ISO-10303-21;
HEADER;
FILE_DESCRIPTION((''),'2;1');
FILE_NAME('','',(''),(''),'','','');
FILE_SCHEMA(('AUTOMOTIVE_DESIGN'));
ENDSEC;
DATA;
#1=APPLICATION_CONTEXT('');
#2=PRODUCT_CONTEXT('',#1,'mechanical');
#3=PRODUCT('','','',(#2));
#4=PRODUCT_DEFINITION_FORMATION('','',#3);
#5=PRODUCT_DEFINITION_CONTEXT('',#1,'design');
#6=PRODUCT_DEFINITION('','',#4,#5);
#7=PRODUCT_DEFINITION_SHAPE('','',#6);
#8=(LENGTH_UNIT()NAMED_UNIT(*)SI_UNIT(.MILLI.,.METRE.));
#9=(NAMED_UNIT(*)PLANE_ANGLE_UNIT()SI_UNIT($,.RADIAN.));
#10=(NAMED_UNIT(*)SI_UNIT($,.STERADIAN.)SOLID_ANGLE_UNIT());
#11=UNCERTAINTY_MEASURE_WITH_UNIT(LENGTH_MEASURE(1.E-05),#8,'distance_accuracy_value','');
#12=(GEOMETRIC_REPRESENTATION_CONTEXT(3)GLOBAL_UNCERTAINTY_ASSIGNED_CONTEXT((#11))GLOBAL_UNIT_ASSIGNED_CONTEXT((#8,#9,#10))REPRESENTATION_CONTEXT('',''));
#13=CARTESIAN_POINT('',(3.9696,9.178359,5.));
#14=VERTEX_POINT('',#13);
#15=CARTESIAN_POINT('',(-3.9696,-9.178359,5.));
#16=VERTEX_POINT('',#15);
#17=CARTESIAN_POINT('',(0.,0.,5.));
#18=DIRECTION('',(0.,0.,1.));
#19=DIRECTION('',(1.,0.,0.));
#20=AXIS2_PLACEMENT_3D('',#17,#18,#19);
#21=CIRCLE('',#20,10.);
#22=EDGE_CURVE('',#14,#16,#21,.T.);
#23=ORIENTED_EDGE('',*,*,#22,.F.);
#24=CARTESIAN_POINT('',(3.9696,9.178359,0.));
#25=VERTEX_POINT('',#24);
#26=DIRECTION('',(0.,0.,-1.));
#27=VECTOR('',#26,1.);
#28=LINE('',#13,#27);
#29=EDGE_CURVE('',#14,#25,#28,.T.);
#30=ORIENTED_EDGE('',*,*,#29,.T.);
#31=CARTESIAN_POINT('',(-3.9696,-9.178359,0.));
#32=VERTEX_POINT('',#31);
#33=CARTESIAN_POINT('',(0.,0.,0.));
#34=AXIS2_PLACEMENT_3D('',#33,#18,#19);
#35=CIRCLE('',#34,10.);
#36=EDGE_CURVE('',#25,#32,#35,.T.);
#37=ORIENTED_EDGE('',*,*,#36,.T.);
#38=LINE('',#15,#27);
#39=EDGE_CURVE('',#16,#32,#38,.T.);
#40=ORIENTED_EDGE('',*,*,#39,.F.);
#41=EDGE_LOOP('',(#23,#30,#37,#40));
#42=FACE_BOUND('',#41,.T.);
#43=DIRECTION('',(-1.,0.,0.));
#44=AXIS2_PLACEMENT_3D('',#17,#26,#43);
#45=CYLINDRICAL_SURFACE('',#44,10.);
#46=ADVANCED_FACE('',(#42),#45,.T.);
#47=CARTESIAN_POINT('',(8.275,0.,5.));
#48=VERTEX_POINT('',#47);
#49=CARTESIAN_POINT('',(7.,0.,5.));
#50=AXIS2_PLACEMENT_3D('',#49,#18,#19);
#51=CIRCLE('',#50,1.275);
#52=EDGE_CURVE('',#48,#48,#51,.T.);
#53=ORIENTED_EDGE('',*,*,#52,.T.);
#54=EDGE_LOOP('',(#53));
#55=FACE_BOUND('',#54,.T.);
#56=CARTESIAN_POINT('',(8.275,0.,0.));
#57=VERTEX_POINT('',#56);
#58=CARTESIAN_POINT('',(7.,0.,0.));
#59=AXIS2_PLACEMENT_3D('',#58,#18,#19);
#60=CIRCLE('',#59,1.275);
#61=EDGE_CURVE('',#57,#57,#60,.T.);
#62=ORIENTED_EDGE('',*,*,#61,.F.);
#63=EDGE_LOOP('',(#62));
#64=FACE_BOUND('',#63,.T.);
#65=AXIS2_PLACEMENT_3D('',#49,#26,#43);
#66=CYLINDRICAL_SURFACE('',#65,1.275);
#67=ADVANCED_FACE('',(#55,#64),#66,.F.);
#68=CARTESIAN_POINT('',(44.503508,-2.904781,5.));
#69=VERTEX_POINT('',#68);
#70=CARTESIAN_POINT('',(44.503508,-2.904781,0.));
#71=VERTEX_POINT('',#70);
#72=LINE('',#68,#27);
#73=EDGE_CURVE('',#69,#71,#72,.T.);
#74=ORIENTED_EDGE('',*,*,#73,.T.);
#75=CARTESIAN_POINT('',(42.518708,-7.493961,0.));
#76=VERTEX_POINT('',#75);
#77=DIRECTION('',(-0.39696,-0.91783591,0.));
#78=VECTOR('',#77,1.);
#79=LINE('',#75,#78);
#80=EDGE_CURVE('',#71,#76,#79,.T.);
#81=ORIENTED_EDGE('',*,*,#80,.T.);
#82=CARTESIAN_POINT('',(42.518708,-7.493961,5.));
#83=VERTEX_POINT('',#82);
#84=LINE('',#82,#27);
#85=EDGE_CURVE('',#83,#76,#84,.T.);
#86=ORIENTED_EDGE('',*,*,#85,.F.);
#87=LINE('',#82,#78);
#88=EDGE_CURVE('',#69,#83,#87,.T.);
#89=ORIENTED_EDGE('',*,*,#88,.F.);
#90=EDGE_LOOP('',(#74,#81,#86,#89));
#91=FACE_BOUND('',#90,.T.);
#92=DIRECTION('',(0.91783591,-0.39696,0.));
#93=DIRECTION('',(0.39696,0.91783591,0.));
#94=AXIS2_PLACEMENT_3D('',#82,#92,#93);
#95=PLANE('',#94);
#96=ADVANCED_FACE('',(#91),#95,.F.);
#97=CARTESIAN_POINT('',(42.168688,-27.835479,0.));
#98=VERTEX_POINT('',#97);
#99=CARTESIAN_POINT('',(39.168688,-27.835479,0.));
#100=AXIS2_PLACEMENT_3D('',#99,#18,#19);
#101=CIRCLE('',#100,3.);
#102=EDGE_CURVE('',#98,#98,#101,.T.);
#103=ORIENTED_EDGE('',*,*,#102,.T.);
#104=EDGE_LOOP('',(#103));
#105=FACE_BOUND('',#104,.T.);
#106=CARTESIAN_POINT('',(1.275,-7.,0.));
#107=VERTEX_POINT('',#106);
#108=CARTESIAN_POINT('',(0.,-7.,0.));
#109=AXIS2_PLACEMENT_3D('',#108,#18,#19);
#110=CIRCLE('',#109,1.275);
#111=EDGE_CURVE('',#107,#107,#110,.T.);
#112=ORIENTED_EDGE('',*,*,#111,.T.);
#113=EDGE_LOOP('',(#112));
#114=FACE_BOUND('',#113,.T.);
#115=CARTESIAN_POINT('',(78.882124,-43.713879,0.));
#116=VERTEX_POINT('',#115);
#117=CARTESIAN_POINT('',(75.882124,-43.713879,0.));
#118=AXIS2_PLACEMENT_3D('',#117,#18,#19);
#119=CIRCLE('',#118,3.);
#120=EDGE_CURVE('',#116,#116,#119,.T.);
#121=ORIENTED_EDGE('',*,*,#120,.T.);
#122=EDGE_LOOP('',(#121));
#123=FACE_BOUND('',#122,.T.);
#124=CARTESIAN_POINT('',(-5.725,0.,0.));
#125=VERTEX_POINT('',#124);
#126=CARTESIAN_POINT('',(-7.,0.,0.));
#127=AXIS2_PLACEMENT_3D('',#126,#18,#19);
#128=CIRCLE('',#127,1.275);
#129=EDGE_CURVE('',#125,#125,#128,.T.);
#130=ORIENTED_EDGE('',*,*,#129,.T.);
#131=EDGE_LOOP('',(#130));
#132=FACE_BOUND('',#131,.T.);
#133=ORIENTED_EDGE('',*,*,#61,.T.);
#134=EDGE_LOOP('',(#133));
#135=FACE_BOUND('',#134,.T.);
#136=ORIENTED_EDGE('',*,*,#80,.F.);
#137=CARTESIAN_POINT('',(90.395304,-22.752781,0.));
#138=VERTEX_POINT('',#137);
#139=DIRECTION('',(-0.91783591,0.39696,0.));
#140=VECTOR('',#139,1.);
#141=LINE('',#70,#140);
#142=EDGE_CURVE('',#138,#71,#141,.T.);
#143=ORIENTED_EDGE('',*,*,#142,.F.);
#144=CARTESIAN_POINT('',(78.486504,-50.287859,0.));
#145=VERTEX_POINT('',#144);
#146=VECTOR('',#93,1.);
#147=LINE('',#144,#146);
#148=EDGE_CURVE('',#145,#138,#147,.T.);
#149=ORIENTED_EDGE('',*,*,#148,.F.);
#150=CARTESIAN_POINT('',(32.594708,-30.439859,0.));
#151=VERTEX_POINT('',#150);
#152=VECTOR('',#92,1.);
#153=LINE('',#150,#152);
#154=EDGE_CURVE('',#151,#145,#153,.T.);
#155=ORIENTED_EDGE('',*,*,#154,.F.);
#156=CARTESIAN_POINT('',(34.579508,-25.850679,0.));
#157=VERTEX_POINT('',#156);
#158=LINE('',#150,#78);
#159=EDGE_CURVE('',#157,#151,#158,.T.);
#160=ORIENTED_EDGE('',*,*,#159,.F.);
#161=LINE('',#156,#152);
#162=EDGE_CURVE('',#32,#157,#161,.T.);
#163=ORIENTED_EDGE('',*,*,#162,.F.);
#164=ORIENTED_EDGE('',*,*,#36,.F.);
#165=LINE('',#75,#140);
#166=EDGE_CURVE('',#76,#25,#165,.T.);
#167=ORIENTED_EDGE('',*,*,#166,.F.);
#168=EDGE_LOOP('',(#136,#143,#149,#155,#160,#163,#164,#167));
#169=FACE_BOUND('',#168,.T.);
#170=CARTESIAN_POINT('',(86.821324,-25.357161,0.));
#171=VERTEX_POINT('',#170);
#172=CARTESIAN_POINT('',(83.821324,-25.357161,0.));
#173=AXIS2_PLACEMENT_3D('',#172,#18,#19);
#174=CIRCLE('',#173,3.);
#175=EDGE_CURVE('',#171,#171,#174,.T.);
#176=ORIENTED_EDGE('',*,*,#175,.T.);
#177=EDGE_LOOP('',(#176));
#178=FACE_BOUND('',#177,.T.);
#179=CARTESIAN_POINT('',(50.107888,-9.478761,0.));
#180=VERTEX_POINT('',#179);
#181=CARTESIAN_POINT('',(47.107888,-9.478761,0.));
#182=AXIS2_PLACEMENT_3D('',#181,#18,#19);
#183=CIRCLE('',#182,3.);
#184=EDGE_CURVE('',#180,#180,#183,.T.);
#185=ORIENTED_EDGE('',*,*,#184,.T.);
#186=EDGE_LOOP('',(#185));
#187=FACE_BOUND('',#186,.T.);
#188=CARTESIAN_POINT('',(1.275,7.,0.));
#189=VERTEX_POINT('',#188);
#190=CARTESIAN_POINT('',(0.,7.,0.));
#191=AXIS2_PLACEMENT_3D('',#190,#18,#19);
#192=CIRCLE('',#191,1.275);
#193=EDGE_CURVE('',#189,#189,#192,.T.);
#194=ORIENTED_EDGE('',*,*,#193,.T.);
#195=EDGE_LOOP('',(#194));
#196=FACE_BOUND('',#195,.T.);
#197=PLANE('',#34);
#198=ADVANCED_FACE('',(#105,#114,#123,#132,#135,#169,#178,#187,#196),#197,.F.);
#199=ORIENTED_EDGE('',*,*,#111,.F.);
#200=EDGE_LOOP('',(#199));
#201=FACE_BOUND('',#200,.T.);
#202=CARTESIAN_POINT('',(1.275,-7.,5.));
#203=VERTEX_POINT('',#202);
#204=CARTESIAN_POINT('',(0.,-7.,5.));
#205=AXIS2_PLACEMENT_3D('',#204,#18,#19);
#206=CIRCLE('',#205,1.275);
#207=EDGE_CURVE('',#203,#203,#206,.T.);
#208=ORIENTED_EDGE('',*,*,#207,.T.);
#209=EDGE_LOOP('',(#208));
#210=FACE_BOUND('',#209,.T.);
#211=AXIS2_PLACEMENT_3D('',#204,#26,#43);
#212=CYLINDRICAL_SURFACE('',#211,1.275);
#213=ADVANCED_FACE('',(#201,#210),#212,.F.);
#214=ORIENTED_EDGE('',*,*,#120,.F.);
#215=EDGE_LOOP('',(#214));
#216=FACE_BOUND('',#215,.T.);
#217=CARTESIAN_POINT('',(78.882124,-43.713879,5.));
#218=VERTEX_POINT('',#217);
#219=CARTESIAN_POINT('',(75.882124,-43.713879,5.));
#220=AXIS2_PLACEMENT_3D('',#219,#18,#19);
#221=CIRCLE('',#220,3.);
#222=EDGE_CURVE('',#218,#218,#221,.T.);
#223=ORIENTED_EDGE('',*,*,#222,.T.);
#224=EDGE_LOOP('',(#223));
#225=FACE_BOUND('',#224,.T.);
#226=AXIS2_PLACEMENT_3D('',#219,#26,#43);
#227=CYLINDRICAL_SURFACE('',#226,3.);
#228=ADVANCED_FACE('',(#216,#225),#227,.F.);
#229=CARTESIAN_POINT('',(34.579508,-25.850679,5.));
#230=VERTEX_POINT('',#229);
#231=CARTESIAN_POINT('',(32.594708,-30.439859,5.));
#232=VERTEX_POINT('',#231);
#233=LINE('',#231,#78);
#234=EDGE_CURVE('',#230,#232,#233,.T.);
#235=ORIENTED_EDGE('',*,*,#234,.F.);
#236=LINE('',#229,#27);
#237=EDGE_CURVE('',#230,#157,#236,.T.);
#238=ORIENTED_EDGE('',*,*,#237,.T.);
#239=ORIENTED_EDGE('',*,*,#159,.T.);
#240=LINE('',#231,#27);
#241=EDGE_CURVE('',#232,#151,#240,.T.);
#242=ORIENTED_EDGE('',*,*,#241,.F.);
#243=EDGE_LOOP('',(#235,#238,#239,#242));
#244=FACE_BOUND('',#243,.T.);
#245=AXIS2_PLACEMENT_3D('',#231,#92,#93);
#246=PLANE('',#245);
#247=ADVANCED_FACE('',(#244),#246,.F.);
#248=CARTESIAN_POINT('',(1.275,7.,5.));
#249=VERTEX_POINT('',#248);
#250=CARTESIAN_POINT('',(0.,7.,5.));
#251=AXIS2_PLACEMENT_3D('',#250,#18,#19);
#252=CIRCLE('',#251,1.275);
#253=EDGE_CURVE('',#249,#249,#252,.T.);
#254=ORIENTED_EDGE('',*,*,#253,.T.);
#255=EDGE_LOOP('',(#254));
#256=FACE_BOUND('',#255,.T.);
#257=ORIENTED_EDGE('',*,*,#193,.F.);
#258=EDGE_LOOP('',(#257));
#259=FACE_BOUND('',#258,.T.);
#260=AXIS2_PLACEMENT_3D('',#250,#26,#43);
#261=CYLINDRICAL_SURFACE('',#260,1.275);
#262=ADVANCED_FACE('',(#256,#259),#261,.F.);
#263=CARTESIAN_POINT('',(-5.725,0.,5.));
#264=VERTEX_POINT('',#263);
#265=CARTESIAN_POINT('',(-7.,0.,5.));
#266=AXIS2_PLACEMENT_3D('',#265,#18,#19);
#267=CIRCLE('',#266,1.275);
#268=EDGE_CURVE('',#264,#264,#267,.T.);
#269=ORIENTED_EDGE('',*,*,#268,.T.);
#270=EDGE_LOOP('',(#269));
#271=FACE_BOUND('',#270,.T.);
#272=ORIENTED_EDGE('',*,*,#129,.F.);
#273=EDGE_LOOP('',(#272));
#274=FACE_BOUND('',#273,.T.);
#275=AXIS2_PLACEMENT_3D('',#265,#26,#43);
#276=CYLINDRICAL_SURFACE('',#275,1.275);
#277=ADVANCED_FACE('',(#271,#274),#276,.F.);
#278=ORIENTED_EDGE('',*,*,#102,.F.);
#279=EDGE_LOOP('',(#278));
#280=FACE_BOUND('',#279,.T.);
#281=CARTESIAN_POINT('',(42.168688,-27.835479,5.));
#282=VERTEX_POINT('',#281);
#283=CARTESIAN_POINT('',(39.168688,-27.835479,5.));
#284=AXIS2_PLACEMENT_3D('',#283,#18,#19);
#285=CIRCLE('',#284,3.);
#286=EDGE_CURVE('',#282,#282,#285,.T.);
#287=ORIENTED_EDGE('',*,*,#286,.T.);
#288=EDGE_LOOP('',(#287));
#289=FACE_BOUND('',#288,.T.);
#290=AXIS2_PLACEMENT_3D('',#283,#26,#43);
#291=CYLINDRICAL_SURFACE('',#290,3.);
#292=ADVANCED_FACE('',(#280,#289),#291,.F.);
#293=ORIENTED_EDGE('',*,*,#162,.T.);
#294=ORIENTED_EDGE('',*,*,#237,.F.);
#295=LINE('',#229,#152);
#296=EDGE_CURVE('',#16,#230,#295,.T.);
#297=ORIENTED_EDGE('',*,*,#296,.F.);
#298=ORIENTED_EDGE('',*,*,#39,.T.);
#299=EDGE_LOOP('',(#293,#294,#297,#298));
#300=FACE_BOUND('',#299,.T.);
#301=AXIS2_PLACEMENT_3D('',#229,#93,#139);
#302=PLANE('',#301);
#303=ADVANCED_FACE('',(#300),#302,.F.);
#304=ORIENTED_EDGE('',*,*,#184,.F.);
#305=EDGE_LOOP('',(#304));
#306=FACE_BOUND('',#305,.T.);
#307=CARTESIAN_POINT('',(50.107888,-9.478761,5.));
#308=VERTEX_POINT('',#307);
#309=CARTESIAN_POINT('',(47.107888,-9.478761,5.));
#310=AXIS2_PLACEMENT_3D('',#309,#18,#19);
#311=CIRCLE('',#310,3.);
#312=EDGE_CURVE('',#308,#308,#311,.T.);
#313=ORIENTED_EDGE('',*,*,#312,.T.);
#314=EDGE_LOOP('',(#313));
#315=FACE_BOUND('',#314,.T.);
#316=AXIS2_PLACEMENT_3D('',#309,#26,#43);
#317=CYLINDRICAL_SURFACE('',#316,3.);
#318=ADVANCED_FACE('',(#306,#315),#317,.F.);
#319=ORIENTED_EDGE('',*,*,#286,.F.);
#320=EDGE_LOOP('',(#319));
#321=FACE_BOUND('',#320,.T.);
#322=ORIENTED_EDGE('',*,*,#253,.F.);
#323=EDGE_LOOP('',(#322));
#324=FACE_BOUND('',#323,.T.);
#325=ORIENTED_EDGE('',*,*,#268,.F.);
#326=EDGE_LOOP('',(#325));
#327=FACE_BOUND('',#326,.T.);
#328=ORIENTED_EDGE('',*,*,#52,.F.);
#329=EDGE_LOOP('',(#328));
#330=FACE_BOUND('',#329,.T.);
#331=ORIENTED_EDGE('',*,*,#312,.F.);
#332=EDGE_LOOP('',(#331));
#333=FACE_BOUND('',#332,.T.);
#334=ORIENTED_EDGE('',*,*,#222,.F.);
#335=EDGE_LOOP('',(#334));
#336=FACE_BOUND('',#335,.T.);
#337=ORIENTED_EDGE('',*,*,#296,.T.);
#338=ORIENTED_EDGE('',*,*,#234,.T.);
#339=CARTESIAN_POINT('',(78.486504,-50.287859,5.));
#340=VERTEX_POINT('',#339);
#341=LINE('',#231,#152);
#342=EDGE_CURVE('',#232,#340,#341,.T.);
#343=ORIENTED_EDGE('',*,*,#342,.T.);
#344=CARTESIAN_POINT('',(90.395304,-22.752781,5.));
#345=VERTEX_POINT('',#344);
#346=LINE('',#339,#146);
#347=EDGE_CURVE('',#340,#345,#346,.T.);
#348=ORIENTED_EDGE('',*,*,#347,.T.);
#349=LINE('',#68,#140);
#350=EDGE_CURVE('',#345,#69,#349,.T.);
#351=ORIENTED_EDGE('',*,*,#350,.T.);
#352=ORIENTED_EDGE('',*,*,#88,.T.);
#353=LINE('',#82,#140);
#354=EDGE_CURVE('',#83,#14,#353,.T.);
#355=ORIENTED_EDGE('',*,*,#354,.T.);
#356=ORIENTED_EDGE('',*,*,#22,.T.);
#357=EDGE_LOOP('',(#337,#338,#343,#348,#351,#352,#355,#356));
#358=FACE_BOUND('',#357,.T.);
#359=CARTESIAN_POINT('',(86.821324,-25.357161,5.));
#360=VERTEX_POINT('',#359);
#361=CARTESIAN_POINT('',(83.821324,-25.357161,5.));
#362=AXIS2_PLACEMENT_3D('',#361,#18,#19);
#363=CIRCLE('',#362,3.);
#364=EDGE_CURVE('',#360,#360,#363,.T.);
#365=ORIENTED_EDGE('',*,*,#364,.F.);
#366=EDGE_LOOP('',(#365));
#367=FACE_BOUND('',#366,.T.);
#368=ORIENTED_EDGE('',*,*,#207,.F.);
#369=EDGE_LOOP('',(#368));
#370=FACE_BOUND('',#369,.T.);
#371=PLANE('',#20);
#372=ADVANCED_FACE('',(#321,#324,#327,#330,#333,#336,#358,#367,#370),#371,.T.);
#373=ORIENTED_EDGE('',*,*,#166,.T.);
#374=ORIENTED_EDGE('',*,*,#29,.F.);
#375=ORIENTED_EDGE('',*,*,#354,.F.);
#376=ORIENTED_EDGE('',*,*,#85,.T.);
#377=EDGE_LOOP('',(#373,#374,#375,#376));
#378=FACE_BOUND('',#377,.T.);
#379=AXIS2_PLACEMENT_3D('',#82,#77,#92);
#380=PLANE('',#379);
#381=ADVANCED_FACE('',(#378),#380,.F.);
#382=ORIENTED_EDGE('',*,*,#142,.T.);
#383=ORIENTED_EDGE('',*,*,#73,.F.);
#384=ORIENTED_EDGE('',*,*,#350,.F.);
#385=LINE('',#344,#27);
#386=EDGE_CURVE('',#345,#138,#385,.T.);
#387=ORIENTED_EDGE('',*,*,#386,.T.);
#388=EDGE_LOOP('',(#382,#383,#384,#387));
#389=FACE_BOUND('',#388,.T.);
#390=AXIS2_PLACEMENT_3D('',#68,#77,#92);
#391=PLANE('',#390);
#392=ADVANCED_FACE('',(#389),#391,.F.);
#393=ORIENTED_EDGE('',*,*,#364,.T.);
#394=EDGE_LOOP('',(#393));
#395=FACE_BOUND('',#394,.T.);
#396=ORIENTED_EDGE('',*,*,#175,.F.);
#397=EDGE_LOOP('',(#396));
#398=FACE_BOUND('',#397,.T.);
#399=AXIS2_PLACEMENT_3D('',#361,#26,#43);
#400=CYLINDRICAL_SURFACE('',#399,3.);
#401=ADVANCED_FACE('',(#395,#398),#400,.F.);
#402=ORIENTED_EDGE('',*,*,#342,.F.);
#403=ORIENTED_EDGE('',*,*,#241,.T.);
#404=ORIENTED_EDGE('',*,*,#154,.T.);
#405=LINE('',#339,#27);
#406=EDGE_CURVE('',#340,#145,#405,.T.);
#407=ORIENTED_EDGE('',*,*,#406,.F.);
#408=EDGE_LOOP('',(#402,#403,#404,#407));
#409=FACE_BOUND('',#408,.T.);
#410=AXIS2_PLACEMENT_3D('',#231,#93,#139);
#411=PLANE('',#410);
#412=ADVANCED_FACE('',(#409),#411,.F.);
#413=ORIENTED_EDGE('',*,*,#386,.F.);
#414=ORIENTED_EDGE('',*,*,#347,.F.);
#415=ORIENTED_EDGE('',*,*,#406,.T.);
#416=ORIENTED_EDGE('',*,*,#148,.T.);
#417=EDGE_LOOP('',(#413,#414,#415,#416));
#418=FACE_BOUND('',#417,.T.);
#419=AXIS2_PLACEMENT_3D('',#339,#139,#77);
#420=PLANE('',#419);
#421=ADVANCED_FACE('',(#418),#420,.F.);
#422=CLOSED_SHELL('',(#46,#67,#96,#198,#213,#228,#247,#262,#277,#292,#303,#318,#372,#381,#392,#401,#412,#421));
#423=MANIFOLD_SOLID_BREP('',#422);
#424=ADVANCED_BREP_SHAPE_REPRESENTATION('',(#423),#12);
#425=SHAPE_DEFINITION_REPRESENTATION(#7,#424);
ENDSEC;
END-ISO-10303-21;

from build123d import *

# Parameters (mm, degrees)
ESQUISSE2_R        = 1.275
ESQUISSE2_R_2      = 3
BOSS_EXTRU_1_DEPTH = 5


with BuildPart() as part:
    # Esquisse2 → Boss.-Extru.1 (new body)
    with BuildSketch(Plane.XY):
        with BuildLine():
            Line((42.518708235, -7.493960905), (3.969600002, 9.178359103))
            ThreePointArc((3.969600002, 9.178359103), (-9.178359103, 3.969600002), (-3.969600002, -9.178359103))
            Line((-3.969600002, -9.178359103), (34.579508231, -25.850679111))
            Line((34.579508231, -25.850679111), (32.59470823, -30.439858662))
            Line((32.59470823, -30.439858662), (78.486503746, -50.287858671))
            Line((78.486503746, -50.287858671), (90.395303751, -22.752781362))
            Line((90.395303751, -22.752781362), (44.503508236, -2.904781353))
            Line((44.503508236, -2.904781353), (42.518708235, -7.493960905))
        make_face()
        with Locations((7, 0)):
            Circle(ESQUISSE2_R, mode=Mode.SUBTRACT)
        with Locations((0, 7)):
            Circle(ESQUISSE2_R, mode=Mode.SUBTRACT)
        with Locations((-7, 0)):
            Circle(ESQUISSE2_R, mode=Mode.SUBTRACT)
        with Locations((0, -7)):
            Circle(ESQUISSE2_R, mode=Mode.SUBTRACT)
        with Locations((75.882124195, -43.713879119)):
            Circle(ESQUISSE2_R_2, mode=Mode.SUBTRACT)
        with Locations((83.821324199, -25.357160913)):
            Circle(ESQUISSE2_R_2, mode=Mode.SUBTRACT)
        with Locations((47.107887786, -9.478760905)):
            Circle(ESQUISSE2_R_2, mode=Mode.SUBTRACT)
        with Locations((39.168687783, -27.835479112)):
            Circle(ESQUISSE2_R_2, mode=Mode.SUBTRACT)
    extrude(amount=BOSS_EXTRU_1_DEPTH)


solid = part.part
